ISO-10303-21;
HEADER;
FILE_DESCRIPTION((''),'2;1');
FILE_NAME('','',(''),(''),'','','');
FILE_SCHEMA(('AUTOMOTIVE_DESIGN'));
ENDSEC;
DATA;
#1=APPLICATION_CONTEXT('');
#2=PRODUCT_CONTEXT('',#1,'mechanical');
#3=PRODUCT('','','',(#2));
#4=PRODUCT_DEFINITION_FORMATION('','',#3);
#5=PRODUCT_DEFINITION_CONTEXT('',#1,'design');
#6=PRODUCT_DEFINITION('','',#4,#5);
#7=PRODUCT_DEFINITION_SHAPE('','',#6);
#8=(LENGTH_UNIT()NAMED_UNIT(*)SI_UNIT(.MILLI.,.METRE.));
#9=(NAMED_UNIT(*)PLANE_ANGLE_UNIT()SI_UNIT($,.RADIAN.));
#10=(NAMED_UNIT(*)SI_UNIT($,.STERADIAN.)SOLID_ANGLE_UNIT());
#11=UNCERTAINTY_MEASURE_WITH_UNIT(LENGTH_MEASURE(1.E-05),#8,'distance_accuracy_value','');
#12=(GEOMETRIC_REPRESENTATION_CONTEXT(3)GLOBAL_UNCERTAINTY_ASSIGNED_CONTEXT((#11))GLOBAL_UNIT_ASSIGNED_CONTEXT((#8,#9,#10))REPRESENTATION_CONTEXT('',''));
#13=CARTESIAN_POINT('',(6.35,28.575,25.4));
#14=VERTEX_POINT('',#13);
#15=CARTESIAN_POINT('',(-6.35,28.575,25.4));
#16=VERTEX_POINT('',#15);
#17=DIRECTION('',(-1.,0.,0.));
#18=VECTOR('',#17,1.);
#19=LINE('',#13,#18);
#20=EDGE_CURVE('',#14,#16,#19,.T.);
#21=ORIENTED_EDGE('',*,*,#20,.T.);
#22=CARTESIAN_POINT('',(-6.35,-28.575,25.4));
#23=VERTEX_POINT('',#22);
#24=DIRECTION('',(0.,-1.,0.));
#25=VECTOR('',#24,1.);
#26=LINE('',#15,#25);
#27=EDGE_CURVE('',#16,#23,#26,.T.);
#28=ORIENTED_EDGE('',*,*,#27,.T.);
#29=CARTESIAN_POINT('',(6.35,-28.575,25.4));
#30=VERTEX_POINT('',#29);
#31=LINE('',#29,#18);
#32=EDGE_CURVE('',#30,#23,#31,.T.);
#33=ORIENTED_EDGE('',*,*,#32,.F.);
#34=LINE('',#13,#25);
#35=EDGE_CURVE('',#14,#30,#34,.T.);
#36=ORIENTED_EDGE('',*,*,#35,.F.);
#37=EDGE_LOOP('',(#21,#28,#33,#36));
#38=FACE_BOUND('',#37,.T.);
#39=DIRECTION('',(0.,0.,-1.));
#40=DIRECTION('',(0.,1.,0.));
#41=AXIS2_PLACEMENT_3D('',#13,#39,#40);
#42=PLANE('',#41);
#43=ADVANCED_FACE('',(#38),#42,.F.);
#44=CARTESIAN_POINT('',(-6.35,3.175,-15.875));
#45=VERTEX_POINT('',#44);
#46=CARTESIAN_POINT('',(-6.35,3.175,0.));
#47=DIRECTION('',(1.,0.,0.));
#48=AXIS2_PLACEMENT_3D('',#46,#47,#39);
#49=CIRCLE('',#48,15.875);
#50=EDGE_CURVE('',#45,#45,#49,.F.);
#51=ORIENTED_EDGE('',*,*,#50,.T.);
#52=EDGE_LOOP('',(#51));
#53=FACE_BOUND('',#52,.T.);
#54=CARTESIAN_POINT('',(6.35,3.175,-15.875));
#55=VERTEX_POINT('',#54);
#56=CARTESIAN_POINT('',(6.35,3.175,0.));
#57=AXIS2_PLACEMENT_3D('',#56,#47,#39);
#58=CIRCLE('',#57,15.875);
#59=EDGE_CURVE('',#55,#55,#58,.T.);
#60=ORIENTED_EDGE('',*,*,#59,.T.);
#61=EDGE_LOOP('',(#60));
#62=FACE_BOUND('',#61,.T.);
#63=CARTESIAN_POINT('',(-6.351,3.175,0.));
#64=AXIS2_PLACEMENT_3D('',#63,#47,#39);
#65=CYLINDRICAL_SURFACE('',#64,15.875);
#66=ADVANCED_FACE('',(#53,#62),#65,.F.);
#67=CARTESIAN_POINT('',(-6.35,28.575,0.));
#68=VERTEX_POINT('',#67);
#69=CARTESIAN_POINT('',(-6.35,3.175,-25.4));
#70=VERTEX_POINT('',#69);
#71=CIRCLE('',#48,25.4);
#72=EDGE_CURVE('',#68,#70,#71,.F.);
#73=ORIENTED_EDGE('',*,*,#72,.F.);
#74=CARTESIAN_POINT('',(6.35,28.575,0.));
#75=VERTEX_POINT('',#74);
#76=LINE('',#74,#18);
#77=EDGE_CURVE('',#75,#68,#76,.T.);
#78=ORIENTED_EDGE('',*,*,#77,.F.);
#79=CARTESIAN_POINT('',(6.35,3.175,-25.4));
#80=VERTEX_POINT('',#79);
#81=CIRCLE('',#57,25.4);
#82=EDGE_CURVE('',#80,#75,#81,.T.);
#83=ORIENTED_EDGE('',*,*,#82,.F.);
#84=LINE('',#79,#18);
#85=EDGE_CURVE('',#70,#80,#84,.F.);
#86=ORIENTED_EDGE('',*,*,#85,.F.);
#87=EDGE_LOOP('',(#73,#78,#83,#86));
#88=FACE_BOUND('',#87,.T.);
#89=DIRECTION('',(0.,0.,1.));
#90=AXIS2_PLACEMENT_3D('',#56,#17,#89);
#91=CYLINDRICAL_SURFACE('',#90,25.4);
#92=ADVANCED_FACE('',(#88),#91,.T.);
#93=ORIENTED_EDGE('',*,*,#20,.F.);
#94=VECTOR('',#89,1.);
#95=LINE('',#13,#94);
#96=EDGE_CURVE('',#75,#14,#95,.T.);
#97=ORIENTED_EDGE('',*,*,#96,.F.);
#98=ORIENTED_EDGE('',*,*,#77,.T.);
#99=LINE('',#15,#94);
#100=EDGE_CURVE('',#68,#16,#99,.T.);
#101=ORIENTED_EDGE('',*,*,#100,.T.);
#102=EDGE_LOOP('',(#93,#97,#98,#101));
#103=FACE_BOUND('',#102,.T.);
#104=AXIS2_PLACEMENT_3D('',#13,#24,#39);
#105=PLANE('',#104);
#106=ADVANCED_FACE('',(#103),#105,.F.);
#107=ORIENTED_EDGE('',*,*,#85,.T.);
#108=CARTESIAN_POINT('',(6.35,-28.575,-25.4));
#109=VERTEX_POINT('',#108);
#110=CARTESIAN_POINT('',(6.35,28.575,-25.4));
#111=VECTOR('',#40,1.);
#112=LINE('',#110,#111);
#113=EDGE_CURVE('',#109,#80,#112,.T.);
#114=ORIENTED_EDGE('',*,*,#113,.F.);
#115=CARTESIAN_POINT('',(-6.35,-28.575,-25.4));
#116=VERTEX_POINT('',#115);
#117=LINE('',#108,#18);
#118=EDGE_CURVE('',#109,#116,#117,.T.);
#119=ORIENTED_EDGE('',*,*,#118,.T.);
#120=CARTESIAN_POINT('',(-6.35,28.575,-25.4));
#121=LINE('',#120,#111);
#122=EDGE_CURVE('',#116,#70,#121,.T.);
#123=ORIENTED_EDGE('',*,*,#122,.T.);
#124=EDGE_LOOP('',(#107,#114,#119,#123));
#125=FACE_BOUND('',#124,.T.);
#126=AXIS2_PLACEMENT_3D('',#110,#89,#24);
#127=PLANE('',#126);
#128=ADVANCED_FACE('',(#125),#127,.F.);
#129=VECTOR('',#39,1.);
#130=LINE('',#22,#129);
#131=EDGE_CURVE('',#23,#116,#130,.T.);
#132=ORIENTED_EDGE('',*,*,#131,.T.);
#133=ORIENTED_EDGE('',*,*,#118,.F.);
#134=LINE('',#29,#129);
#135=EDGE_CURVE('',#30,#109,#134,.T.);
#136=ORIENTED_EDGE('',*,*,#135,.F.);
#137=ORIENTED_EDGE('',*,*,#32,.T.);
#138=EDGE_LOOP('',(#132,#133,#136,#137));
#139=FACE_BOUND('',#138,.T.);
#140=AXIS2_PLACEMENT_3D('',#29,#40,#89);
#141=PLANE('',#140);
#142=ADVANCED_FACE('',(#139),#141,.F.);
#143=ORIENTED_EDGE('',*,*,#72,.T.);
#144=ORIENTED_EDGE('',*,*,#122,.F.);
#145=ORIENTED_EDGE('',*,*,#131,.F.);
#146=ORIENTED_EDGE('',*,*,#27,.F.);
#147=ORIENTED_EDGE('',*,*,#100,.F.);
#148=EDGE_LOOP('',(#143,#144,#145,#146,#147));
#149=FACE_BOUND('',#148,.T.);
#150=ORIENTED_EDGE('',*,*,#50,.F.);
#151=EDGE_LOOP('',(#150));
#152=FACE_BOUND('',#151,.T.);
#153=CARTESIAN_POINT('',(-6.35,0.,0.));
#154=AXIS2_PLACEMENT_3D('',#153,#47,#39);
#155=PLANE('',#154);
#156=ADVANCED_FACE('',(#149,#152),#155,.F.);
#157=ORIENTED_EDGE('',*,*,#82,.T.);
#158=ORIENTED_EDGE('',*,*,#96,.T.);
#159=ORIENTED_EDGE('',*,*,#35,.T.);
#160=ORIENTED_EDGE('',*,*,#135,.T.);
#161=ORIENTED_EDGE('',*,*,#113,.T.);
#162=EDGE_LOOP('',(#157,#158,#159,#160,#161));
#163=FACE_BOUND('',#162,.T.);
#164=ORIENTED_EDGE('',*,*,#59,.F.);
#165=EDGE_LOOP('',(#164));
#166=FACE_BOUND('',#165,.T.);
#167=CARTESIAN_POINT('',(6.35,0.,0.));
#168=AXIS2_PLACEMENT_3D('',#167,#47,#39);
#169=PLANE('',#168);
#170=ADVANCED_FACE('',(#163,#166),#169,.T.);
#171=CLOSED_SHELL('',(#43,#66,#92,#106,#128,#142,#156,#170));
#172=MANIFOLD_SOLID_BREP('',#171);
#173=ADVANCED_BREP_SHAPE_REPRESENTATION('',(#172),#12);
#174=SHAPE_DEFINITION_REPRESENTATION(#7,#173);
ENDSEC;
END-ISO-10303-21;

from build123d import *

# Parameters (mm, degrees)
SKETCH1_W           = 50.8
SKETCH1_H           = 57.15
BOSS_EXTRUDE1_DEPTH = 6.35
CUT_EXTRUDE1_REACH  = 14.7
SKETCH2_R           = 15.875
FILLET1_R           = 25.4


with BuildPart() as part:
    # Sketch1 → Boss-Extrude1 (new body, symmetric)
    with BuildSketch(Plane(origin=(0, 0, 0), x_dir=(0, 0, -1), z_dir=(1, 0, 0))):
        Rectangle(SKETCH1_W, SKETCH1_H)
    extrude(amount=BOSS_EXTRUDE1_DEPTH, both=True)

    # Sketch2 → Cut-Extrude1 (cut, up to next)
    with BuildSketch(Plane(origin=(6.35, 0, 0), x_dir=(0, 0, -1), z_dir=(1, 0, 0)), mode=Mode.PRIVATE) as cut_extrude1_sk1:
        with Locations((0, 3.175)):
            Circle(SKETCH2_R)
    cut_extrude1_tool1 = extrude(cut_extrude1_sk1.sketch, amount=-CUT_EXTRUDE1_REACH, mode=Mode.PRIVATE) & part.part
    add(cut_extrude1_tool1.solids().sort_by_distance((6.35, 3.175, 0))[0], mode=Mode.SUBTRACT)

    # Fillet1
    fillet1_edges = [part.edges().sort_by_distance(p)[0] for p in [
        (0, 28.575, -25.4),
    ]]
    fillet(fillet1_edges, radius=FILLET1_R)


solid = part.part
